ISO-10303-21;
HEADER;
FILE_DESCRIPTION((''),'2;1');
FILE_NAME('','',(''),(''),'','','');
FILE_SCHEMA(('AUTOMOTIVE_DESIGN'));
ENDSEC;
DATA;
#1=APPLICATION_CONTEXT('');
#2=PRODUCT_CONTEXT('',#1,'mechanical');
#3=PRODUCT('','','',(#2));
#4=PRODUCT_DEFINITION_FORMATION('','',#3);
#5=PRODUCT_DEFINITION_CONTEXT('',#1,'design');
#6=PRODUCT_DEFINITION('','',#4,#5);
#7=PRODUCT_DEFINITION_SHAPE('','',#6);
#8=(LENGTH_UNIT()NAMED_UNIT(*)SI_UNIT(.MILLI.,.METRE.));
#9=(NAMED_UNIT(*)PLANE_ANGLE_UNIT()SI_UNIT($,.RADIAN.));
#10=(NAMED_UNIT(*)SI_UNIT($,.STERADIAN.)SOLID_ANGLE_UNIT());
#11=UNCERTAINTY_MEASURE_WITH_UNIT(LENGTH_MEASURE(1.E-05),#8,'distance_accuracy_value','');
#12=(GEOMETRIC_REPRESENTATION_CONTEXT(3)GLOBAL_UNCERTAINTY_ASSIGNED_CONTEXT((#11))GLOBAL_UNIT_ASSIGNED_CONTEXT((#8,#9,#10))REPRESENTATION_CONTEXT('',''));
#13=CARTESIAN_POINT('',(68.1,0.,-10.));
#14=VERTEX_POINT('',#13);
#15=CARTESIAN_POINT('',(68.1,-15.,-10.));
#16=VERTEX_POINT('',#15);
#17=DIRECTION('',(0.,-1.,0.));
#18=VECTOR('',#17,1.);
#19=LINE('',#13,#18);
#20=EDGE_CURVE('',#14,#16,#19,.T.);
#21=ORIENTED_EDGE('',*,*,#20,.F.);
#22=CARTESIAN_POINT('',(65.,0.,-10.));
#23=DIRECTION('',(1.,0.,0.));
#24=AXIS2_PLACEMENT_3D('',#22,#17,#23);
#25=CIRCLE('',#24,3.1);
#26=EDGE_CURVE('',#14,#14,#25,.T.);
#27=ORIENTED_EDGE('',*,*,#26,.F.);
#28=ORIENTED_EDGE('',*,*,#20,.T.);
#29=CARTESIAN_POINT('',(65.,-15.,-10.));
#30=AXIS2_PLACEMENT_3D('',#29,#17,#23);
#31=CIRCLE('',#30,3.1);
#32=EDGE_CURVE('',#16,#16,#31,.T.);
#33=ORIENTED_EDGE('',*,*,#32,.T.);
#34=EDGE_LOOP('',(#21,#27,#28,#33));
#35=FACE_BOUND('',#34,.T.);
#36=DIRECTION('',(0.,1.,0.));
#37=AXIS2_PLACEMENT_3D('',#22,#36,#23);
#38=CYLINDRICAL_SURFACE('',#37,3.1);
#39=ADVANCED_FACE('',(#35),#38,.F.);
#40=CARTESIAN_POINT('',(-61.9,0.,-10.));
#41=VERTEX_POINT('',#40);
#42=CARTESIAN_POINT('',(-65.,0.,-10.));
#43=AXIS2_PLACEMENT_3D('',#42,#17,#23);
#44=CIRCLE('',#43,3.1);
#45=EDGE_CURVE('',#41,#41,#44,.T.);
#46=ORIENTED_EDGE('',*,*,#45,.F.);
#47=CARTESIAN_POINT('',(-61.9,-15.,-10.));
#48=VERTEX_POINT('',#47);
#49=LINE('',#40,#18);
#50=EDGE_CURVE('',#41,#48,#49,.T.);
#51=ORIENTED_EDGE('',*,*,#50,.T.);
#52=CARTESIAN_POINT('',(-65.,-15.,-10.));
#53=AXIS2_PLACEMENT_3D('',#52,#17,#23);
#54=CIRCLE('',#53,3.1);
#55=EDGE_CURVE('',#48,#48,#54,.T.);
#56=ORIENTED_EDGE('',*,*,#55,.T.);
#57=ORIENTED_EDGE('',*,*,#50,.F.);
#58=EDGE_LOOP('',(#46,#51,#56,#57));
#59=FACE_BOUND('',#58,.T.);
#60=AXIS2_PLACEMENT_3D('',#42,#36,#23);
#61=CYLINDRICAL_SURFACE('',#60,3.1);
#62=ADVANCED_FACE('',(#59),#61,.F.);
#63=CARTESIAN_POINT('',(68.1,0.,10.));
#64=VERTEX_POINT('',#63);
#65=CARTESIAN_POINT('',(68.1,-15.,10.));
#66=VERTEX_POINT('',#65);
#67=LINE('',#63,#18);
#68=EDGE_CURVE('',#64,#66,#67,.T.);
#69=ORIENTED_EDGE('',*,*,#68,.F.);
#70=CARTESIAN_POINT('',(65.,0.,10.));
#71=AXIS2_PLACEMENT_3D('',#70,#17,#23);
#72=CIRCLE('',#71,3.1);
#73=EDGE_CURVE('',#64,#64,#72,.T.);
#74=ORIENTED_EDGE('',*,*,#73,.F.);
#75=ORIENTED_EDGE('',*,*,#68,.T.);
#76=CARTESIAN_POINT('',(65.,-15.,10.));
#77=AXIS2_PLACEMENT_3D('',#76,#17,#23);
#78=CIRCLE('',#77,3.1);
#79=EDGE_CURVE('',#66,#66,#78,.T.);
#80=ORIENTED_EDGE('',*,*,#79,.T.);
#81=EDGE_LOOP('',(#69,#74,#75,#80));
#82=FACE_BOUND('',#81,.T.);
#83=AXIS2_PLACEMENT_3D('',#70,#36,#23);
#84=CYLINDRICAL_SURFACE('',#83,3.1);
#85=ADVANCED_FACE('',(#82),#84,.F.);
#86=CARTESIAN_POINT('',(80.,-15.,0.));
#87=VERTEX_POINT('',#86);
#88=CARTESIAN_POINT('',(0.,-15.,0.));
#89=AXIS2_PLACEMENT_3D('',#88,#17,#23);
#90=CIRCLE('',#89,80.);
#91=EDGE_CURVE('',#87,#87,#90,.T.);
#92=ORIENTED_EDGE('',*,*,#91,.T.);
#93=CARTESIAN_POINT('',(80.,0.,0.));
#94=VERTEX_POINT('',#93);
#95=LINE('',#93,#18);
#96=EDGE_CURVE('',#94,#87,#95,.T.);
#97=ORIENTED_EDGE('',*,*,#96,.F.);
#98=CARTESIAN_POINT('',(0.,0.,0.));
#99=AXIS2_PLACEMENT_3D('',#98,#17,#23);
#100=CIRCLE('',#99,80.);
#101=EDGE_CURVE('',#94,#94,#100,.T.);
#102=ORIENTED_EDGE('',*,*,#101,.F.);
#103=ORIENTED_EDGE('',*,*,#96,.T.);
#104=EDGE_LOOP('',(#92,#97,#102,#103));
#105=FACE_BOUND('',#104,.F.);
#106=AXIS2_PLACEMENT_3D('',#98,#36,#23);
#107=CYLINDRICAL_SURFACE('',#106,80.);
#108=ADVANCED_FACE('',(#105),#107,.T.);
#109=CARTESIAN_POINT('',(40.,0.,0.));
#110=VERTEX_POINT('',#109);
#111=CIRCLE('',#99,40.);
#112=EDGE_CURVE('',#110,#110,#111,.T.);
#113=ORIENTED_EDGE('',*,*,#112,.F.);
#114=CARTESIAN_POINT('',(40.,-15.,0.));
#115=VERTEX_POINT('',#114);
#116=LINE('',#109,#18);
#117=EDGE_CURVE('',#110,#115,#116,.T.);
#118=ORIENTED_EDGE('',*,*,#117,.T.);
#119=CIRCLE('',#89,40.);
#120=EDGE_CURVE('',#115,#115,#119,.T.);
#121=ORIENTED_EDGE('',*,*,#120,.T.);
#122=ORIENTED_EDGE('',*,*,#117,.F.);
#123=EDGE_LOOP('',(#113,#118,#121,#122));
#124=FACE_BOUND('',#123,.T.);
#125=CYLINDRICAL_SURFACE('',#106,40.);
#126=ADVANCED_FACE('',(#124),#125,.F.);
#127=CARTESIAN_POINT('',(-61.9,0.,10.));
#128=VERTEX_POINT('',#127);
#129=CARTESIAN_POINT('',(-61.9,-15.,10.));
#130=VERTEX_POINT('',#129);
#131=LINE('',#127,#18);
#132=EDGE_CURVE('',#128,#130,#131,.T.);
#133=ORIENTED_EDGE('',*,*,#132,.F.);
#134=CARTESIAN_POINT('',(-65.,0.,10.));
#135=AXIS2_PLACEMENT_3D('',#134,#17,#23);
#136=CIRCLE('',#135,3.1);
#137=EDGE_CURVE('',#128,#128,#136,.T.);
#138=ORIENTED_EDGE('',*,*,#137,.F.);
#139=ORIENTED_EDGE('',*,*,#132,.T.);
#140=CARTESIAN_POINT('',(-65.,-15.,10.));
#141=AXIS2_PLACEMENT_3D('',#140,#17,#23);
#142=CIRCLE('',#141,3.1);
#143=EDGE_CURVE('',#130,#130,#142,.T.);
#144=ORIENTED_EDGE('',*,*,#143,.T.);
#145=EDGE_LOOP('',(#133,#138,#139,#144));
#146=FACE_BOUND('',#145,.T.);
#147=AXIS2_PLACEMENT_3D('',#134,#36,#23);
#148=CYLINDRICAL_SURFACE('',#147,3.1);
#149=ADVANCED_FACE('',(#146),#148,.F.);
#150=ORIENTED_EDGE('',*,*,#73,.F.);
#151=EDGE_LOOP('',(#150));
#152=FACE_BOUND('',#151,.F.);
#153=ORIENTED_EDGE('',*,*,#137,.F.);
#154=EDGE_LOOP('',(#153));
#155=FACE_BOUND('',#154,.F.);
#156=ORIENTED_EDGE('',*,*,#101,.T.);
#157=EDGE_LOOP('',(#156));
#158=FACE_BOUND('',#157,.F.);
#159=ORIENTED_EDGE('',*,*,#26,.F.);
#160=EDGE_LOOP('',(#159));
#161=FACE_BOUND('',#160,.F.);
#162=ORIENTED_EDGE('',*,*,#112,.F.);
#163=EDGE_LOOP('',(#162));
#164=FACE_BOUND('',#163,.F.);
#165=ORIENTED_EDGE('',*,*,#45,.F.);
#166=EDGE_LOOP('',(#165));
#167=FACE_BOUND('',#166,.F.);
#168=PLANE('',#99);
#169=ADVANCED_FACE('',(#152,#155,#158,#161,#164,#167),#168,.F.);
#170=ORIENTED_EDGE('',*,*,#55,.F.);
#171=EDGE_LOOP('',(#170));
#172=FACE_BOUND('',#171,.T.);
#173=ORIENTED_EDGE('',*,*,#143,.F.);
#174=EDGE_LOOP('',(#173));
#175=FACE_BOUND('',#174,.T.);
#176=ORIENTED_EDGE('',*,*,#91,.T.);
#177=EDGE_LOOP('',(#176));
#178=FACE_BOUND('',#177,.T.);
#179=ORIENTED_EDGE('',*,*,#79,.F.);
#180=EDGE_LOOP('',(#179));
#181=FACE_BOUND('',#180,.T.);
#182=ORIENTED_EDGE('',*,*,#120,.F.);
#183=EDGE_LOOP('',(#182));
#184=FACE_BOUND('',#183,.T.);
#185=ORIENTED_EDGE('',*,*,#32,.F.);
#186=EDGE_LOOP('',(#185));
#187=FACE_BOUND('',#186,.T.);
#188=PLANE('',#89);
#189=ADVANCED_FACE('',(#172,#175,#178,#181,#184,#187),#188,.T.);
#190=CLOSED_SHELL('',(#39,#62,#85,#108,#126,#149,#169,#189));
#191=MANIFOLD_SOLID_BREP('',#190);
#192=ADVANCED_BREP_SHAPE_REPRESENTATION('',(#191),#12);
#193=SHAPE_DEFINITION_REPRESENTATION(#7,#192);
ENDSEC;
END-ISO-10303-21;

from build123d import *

# Parameters (mm, degrees)
F0_R     = 80
F0_R_2   = 3.1
F0_R_3   = 40
F1_DEPTH = 15


with BuildPart() as f1:
    # F0 (on Front) → F1 (new body)
    with BuildSketch(Plane.XZ):
        Circle(F0_R)
        with Locations((-65, -10)):
            Circle(F0_R_2, mode=Mode.SUBTRACT)
        with Locations((65, -10)):
            Circle(F0_R_2, mode=Mode.SUBTRACT)
        with Locations((-65, 10)):
            Circle(F0_R_2, mode=Mode.SUBTRACT)
        Circle(F0_R_3, mode=Mode.SUBTRACT)
        with Locations((65, 10)):
            Circle(F0_R_2, mode=Mode.SUBTRACT)
    extrude(amount=F1_DEPTH)


solid = f1.part
